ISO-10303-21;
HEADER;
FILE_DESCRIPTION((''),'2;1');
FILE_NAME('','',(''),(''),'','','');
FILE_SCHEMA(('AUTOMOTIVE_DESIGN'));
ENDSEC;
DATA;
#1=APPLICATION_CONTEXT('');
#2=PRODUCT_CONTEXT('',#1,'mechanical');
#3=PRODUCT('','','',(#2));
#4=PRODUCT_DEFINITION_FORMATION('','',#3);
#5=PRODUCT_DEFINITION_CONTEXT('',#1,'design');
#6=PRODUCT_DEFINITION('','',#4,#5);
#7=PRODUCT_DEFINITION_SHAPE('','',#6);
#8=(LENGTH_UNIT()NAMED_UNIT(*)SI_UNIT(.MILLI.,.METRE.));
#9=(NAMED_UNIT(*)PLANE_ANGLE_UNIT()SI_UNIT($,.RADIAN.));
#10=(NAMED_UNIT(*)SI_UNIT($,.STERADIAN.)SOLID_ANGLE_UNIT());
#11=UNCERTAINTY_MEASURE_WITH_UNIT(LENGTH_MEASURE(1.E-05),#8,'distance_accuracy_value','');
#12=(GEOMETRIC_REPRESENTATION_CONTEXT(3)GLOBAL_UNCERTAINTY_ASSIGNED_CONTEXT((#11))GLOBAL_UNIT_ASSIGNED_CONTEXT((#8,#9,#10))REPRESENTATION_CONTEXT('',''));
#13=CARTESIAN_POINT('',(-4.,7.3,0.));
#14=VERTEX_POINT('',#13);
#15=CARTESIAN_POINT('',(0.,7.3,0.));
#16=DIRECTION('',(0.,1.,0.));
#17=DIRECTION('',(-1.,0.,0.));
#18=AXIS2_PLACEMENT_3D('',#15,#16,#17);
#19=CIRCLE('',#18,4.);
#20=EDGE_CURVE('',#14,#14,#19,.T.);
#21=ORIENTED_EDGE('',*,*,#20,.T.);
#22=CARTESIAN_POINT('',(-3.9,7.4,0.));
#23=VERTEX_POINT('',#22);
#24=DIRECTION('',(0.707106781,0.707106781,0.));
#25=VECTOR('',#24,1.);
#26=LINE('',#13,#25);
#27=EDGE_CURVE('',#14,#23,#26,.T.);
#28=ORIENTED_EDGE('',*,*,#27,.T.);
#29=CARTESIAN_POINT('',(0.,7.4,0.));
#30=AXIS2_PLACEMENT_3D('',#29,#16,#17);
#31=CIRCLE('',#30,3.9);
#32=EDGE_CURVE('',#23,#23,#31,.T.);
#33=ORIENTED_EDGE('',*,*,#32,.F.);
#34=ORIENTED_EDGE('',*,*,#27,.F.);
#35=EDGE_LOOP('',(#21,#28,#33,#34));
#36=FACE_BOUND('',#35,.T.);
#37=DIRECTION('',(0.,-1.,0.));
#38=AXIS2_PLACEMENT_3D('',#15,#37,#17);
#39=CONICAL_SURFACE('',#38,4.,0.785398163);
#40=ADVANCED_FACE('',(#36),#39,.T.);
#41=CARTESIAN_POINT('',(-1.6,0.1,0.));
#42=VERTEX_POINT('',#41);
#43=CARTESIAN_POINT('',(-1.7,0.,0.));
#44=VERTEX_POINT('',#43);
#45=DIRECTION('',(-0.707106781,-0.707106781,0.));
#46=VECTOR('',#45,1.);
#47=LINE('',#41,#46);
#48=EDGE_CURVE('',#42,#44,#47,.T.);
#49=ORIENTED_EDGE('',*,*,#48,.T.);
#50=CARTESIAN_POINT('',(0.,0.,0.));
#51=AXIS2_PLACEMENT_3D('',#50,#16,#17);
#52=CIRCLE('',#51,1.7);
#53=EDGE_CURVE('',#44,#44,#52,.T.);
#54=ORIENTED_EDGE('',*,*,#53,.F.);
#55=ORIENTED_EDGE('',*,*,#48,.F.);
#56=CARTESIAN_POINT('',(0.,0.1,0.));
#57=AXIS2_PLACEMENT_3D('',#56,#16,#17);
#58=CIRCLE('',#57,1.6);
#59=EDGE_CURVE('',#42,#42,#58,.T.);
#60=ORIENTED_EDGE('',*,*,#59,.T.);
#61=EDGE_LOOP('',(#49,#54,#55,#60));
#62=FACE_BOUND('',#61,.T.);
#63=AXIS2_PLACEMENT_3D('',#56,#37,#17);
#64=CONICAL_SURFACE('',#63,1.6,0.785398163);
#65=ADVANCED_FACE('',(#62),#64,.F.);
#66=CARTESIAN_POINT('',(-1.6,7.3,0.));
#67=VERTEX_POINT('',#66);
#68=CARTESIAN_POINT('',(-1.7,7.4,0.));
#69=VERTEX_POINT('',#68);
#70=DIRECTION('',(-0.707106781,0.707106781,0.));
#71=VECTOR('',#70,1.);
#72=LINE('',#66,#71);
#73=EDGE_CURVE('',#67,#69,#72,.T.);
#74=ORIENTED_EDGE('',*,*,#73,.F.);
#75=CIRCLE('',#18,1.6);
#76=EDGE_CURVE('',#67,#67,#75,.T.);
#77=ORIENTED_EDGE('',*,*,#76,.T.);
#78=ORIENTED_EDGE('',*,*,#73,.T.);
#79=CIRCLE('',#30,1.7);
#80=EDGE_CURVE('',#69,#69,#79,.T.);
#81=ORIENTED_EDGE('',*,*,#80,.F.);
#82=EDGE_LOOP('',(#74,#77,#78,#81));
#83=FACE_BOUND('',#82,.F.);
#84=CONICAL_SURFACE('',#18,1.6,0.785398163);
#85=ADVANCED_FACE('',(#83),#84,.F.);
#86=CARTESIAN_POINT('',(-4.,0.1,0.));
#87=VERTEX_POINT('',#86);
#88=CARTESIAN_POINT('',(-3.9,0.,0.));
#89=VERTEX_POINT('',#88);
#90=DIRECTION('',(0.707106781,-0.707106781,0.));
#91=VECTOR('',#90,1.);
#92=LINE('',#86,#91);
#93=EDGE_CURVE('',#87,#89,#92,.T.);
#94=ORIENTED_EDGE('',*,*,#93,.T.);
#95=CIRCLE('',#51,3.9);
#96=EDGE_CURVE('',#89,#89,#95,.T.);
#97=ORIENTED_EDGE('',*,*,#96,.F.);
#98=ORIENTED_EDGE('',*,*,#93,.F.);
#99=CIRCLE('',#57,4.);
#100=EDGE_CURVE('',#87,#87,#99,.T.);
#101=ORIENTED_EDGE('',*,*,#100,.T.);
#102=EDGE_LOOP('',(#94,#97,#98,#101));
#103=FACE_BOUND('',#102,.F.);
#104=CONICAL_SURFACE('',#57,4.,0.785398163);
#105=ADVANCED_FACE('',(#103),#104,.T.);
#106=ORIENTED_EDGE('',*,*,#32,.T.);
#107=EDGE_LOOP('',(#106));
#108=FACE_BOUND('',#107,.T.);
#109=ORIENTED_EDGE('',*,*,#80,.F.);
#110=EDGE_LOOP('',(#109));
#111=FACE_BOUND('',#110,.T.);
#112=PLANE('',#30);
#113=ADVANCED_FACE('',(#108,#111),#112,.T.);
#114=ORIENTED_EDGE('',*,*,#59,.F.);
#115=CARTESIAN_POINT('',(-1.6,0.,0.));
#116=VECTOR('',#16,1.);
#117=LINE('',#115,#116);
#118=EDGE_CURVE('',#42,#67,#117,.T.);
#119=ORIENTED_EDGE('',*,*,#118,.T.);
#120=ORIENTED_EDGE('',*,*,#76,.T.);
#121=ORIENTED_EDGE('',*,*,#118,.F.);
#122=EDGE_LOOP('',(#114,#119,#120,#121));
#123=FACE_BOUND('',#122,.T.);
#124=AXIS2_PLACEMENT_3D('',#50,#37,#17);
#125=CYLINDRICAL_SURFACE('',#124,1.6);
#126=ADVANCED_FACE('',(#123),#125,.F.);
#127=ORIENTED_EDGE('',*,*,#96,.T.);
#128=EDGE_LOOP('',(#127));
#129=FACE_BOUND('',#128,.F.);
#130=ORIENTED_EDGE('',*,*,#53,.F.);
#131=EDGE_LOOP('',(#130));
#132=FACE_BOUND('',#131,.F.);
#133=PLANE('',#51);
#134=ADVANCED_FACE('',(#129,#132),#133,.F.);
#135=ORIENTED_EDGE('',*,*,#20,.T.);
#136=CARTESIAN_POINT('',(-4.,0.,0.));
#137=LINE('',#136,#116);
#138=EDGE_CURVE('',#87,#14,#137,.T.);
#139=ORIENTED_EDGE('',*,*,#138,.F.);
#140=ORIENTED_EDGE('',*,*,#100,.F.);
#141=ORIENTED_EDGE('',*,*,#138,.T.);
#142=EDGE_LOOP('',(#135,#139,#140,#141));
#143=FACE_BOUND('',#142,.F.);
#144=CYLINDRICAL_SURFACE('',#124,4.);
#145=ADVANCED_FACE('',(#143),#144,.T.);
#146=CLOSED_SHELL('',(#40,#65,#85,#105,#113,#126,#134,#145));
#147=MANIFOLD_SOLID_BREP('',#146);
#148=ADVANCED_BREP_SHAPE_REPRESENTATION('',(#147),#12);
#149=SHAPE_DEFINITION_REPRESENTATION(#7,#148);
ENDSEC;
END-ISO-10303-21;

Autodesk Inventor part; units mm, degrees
ref_plane "YZ Plane" through (0, 0, 0) normal (1, 0, 0) x (0, 1, 0)
ref_plane "XZ Plane" through (0, 0, 0) normal (0, 1, 0) x (-1, 0, 0)
ref_plane "XY Plane" through (0, 0, 0) normal (0, 0, 1) x (1, 0, 0)
sketch "Skizze1" plane through (0, 0, 0) normal (0, 1, 0) x (-1, 0, 0)
  circle A0 centre (0, 0) radius 1.6
  circle A1 centre (0, 0) radius 4
  dimension "d0" = 3.2
  dimension "d1" = 8
extrude "Extrusion1" add sketch "Skizze1" along normal blind 7.4
chamfer "Fasen1" distance 0.1 angle 45 4 edges at (1.6, 7.4, 0) (4, 7.4, 0) (4, 0, 0) (1.6, 0, 0)
properties part number "Abstandshalter 7,4mm"
